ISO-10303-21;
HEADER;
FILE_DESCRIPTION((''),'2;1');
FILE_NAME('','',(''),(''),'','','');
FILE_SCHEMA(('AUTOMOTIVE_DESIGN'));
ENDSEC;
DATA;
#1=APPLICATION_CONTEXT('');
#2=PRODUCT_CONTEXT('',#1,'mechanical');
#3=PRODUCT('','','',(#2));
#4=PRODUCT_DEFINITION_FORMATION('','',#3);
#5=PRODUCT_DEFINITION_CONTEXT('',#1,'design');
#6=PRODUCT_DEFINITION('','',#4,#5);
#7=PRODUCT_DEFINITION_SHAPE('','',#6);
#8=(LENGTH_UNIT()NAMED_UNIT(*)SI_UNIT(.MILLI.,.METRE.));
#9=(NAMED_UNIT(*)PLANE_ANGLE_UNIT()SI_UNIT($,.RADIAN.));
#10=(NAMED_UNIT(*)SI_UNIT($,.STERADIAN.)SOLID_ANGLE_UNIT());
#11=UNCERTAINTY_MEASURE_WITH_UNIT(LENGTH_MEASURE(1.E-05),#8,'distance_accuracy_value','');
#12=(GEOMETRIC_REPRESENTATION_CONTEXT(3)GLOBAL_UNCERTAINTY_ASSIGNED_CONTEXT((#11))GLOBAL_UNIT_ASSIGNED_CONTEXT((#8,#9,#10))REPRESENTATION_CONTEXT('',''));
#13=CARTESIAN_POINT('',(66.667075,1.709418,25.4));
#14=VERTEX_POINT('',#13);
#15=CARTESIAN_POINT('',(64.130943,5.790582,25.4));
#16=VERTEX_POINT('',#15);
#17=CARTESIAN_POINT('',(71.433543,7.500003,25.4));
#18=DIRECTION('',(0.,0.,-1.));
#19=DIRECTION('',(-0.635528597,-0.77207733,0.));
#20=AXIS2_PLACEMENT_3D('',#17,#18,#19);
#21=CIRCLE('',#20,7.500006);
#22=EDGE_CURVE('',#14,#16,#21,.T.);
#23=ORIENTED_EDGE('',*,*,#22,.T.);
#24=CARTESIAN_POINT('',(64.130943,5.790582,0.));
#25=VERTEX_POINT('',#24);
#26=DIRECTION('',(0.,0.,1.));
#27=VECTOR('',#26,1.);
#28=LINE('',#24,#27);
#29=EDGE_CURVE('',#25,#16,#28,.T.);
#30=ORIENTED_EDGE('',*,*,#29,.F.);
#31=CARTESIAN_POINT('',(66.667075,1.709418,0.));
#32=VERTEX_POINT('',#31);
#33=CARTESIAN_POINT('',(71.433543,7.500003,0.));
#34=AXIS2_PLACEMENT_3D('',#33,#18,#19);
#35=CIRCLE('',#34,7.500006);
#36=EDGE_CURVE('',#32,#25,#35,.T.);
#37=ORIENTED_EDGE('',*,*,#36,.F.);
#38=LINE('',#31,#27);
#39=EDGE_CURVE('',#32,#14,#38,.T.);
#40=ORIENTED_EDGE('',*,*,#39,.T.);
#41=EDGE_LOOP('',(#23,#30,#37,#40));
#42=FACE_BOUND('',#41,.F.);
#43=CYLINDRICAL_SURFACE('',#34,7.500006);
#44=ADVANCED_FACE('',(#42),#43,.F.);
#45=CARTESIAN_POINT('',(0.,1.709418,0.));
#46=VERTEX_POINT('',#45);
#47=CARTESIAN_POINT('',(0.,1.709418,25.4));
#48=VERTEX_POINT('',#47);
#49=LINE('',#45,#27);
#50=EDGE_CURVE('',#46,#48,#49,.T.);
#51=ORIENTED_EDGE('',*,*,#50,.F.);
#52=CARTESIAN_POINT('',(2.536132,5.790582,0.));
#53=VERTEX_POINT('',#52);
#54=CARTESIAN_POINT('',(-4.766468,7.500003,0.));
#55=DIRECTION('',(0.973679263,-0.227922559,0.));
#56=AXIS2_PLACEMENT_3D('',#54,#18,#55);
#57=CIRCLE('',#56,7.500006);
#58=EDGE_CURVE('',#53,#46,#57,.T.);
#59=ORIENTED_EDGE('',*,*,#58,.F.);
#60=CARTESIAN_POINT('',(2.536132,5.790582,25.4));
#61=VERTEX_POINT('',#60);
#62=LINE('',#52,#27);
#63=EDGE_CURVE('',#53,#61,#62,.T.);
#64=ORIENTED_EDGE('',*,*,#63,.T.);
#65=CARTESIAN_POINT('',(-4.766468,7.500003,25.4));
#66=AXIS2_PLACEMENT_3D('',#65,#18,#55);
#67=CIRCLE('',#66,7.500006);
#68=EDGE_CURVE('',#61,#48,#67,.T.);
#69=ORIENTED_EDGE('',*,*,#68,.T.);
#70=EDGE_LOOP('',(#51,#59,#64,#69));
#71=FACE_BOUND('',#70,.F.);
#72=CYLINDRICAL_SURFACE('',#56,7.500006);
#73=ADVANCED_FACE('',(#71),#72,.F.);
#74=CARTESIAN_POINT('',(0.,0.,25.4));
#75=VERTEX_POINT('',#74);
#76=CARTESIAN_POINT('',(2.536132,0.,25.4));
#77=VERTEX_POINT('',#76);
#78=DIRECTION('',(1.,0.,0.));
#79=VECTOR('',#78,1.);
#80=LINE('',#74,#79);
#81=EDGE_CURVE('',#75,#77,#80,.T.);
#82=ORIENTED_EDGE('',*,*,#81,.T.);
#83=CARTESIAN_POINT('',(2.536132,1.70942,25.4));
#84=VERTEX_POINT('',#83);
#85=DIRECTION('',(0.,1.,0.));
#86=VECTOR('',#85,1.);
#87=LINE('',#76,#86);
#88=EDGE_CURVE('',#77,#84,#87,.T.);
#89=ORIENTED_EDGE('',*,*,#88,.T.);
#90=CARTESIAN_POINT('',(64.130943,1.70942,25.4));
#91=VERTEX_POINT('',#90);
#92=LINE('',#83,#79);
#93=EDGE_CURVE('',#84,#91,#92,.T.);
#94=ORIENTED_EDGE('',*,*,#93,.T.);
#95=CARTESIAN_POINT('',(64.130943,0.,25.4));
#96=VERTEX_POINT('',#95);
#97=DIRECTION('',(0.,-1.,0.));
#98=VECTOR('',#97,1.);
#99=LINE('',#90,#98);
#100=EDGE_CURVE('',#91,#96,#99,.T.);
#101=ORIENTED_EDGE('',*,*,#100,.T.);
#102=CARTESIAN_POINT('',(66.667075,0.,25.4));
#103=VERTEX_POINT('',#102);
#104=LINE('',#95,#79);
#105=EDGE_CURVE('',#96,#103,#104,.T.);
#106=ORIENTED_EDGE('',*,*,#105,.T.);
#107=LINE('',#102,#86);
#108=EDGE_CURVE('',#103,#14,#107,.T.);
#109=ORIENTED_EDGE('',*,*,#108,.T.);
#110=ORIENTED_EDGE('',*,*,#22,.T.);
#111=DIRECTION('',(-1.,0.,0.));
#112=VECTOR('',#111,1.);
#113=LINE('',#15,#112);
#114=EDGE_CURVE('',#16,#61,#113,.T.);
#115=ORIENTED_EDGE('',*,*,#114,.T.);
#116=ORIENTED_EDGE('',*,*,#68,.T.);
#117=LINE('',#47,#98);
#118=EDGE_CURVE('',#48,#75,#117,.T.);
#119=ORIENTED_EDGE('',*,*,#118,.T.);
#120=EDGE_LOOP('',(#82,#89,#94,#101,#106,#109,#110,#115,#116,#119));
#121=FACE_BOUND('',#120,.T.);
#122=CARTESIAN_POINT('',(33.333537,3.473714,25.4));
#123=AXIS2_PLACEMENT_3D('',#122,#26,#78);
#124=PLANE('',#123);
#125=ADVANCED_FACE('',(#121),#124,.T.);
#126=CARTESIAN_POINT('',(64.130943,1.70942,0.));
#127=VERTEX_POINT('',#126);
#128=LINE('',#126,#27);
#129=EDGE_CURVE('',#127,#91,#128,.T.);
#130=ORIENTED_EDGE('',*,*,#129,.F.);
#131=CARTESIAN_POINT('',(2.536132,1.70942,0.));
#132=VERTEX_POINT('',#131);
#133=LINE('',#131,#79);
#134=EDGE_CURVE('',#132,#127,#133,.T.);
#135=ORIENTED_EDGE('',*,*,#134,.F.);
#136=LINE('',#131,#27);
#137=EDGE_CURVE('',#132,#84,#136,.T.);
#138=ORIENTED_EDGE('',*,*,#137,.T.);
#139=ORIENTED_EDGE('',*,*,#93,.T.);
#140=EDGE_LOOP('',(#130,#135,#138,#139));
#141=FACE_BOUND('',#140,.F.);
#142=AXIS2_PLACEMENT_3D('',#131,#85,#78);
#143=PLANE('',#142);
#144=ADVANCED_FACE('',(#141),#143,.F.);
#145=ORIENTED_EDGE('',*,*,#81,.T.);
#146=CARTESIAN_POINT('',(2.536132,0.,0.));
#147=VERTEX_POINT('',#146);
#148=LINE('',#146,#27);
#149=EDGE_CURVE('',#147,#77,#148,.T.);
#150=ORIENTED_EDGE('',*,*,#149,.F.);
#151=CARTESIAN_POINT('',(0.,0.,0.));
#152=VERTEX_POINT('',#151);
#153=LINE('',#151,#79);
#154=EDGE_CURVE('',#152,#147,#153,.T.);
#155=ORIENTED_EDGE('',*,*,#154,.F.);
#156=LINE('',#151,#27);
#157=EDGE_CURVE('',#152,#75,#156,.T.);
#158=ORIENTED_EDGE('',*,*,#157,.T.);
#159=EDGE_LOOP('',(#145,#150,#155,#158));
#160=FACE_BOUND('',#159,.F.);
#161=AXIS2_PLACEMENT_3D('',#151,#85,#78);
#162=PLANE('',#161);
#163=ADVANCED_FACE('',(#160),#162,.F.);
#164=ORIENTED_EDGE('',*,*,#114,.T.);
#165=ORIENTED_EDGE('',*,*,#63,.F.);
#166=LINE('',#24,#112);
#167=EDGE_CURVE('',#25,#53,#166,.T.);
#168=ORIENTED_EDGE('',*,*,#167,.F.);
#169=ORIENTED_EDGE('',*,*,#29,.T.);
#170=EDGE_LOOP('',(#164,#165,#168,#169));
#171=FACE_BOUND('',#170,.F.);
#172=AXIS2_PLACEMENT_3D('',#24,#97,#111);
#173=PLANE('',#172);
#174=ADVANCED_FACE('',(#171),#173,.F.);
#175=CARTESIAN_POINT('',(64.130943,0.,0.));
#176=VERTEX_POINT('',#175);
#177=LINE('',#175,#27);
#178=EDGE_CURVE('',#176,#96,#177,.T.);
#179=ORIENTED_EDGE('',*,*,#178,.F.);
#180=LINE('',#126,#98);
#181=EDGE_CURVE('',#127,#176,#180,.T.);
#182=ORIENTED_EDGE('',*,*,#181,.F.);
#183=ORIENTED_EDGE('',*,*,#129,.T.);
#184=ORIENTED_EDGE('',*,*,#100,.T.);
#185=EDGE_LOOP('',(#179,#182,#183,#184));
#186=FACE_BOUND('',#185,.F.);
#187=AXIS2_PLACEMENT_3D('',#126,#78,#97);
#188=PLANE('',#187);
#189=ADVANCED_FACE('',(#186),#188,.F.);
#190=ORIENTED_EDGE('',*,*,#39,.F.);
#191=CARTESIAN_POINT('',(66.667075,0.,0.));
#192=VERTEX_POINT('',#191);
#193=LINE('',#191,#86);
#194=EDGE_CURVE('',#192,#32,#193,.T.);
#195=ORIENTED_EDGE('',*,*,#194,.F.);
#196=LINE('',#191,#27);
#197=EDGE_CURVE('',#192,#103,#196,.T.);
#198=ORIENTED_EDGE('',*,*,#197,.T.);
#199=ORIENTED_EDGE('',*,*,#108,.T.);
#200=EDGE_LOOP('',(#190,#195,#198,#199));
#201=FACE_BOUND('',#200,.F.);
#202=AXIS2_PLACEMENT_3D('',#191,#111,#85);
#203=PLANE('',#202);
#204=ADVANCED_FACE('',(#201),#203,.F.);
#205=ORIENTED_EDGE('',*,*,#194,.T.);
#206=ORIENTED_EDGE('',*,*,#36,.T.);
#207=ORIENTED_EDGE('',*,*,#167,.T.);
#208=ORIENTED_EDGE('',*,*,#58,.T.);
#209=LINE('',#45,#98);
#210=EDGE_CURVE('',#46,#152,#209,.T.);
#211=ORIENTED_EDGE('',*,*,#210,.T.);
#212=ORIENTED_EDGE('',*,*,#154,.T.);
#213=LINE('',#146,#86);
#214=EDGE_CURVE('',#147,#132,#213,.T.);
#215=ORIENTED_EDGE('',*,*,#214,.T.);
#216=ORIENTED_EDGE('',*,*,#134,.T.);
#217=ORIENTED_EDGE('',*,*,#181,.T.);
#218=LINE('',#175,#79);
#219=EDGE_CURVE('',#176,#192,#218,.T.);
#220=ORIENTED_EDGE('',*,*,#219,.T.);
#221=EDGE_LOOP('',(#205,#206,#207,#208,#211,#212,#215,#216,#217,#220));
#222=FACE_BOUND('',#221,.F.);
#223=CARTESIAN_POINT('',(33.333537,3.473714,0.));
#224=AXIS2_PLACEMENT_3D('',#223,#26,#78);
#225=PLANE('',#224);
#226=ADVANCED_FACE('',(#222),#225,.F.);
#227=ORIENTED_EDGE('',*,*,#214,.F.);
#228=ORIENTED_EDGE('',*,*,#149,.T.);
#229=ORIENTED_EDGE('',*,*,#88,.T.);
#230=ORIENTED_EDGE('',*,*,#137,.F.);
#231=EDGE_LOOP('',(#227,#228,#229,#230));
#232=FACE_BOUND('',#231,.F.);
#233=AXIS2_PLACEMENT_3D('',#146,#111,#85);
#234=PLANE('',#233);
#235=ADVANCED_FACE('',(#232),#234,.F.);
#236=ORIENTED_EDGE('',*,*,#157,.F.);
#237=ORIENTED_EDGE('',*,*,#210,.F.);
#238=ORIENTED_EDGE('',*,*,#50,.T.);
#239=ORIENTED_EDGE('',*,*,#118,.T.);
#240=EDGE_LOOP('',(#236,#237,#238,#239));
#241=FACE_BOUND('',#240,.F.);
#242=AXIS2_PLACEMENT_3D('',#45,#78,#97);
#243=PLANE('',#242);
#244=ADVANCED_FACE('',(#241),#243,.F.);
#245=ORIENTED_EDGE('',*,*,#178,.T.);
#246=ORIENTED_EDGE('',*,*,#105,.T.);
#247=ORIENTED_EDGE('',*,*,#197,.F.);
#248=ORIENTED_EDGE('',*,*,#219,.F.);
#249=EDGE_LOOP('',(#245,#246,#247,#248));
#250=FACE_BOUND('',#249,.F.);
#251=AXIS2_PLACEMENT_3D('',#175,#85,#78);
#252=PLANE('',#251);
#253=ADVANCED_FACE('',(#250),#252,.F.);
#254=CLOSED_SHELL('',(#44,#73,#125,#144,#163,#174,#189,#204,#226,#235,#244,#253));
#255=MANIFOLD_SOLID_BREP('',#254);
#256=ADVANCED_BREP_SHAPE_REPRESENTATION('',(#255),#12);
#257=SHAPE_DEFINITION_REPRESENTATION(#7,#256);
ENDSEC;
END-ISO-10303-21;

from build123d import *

# Parameters (mm, degrees)
F1_DEPTH = 25.4


with BuildPart() as f1:
    # F0 (on Top) → F1 (new body)
    with BuildSketch(Plane.XY):
        with BuildLine():
            Line((0, 1.709418), (0, 0))
            Line((0, 0), (2.536132, 0))
            Line((2.536132, 0), (2.536132, 1.70942))
            Line((2.536132, 1.70942), (64.130943, 1.70942))
            Line((64.130943, 1.70942), (64.130943, 0))
            Line((64.130943, 0), (66.667075, 0))
            Line((66.667075, 0), (66.667075, 1.709418))
            ThreePointArc((66.667075, 1.709418), (65.063333, 3.541403), (64.130943, 5.790582))
            Line((64.130943, 5.790582), (2.536132, 5.790582))
            ThreePointArc((2.536132, 5.790582), (1.603742, 3.541403), (0, 1.709418))
        make_face()
    extrude(amount=F1_DEPTH)


solid = f1.part
